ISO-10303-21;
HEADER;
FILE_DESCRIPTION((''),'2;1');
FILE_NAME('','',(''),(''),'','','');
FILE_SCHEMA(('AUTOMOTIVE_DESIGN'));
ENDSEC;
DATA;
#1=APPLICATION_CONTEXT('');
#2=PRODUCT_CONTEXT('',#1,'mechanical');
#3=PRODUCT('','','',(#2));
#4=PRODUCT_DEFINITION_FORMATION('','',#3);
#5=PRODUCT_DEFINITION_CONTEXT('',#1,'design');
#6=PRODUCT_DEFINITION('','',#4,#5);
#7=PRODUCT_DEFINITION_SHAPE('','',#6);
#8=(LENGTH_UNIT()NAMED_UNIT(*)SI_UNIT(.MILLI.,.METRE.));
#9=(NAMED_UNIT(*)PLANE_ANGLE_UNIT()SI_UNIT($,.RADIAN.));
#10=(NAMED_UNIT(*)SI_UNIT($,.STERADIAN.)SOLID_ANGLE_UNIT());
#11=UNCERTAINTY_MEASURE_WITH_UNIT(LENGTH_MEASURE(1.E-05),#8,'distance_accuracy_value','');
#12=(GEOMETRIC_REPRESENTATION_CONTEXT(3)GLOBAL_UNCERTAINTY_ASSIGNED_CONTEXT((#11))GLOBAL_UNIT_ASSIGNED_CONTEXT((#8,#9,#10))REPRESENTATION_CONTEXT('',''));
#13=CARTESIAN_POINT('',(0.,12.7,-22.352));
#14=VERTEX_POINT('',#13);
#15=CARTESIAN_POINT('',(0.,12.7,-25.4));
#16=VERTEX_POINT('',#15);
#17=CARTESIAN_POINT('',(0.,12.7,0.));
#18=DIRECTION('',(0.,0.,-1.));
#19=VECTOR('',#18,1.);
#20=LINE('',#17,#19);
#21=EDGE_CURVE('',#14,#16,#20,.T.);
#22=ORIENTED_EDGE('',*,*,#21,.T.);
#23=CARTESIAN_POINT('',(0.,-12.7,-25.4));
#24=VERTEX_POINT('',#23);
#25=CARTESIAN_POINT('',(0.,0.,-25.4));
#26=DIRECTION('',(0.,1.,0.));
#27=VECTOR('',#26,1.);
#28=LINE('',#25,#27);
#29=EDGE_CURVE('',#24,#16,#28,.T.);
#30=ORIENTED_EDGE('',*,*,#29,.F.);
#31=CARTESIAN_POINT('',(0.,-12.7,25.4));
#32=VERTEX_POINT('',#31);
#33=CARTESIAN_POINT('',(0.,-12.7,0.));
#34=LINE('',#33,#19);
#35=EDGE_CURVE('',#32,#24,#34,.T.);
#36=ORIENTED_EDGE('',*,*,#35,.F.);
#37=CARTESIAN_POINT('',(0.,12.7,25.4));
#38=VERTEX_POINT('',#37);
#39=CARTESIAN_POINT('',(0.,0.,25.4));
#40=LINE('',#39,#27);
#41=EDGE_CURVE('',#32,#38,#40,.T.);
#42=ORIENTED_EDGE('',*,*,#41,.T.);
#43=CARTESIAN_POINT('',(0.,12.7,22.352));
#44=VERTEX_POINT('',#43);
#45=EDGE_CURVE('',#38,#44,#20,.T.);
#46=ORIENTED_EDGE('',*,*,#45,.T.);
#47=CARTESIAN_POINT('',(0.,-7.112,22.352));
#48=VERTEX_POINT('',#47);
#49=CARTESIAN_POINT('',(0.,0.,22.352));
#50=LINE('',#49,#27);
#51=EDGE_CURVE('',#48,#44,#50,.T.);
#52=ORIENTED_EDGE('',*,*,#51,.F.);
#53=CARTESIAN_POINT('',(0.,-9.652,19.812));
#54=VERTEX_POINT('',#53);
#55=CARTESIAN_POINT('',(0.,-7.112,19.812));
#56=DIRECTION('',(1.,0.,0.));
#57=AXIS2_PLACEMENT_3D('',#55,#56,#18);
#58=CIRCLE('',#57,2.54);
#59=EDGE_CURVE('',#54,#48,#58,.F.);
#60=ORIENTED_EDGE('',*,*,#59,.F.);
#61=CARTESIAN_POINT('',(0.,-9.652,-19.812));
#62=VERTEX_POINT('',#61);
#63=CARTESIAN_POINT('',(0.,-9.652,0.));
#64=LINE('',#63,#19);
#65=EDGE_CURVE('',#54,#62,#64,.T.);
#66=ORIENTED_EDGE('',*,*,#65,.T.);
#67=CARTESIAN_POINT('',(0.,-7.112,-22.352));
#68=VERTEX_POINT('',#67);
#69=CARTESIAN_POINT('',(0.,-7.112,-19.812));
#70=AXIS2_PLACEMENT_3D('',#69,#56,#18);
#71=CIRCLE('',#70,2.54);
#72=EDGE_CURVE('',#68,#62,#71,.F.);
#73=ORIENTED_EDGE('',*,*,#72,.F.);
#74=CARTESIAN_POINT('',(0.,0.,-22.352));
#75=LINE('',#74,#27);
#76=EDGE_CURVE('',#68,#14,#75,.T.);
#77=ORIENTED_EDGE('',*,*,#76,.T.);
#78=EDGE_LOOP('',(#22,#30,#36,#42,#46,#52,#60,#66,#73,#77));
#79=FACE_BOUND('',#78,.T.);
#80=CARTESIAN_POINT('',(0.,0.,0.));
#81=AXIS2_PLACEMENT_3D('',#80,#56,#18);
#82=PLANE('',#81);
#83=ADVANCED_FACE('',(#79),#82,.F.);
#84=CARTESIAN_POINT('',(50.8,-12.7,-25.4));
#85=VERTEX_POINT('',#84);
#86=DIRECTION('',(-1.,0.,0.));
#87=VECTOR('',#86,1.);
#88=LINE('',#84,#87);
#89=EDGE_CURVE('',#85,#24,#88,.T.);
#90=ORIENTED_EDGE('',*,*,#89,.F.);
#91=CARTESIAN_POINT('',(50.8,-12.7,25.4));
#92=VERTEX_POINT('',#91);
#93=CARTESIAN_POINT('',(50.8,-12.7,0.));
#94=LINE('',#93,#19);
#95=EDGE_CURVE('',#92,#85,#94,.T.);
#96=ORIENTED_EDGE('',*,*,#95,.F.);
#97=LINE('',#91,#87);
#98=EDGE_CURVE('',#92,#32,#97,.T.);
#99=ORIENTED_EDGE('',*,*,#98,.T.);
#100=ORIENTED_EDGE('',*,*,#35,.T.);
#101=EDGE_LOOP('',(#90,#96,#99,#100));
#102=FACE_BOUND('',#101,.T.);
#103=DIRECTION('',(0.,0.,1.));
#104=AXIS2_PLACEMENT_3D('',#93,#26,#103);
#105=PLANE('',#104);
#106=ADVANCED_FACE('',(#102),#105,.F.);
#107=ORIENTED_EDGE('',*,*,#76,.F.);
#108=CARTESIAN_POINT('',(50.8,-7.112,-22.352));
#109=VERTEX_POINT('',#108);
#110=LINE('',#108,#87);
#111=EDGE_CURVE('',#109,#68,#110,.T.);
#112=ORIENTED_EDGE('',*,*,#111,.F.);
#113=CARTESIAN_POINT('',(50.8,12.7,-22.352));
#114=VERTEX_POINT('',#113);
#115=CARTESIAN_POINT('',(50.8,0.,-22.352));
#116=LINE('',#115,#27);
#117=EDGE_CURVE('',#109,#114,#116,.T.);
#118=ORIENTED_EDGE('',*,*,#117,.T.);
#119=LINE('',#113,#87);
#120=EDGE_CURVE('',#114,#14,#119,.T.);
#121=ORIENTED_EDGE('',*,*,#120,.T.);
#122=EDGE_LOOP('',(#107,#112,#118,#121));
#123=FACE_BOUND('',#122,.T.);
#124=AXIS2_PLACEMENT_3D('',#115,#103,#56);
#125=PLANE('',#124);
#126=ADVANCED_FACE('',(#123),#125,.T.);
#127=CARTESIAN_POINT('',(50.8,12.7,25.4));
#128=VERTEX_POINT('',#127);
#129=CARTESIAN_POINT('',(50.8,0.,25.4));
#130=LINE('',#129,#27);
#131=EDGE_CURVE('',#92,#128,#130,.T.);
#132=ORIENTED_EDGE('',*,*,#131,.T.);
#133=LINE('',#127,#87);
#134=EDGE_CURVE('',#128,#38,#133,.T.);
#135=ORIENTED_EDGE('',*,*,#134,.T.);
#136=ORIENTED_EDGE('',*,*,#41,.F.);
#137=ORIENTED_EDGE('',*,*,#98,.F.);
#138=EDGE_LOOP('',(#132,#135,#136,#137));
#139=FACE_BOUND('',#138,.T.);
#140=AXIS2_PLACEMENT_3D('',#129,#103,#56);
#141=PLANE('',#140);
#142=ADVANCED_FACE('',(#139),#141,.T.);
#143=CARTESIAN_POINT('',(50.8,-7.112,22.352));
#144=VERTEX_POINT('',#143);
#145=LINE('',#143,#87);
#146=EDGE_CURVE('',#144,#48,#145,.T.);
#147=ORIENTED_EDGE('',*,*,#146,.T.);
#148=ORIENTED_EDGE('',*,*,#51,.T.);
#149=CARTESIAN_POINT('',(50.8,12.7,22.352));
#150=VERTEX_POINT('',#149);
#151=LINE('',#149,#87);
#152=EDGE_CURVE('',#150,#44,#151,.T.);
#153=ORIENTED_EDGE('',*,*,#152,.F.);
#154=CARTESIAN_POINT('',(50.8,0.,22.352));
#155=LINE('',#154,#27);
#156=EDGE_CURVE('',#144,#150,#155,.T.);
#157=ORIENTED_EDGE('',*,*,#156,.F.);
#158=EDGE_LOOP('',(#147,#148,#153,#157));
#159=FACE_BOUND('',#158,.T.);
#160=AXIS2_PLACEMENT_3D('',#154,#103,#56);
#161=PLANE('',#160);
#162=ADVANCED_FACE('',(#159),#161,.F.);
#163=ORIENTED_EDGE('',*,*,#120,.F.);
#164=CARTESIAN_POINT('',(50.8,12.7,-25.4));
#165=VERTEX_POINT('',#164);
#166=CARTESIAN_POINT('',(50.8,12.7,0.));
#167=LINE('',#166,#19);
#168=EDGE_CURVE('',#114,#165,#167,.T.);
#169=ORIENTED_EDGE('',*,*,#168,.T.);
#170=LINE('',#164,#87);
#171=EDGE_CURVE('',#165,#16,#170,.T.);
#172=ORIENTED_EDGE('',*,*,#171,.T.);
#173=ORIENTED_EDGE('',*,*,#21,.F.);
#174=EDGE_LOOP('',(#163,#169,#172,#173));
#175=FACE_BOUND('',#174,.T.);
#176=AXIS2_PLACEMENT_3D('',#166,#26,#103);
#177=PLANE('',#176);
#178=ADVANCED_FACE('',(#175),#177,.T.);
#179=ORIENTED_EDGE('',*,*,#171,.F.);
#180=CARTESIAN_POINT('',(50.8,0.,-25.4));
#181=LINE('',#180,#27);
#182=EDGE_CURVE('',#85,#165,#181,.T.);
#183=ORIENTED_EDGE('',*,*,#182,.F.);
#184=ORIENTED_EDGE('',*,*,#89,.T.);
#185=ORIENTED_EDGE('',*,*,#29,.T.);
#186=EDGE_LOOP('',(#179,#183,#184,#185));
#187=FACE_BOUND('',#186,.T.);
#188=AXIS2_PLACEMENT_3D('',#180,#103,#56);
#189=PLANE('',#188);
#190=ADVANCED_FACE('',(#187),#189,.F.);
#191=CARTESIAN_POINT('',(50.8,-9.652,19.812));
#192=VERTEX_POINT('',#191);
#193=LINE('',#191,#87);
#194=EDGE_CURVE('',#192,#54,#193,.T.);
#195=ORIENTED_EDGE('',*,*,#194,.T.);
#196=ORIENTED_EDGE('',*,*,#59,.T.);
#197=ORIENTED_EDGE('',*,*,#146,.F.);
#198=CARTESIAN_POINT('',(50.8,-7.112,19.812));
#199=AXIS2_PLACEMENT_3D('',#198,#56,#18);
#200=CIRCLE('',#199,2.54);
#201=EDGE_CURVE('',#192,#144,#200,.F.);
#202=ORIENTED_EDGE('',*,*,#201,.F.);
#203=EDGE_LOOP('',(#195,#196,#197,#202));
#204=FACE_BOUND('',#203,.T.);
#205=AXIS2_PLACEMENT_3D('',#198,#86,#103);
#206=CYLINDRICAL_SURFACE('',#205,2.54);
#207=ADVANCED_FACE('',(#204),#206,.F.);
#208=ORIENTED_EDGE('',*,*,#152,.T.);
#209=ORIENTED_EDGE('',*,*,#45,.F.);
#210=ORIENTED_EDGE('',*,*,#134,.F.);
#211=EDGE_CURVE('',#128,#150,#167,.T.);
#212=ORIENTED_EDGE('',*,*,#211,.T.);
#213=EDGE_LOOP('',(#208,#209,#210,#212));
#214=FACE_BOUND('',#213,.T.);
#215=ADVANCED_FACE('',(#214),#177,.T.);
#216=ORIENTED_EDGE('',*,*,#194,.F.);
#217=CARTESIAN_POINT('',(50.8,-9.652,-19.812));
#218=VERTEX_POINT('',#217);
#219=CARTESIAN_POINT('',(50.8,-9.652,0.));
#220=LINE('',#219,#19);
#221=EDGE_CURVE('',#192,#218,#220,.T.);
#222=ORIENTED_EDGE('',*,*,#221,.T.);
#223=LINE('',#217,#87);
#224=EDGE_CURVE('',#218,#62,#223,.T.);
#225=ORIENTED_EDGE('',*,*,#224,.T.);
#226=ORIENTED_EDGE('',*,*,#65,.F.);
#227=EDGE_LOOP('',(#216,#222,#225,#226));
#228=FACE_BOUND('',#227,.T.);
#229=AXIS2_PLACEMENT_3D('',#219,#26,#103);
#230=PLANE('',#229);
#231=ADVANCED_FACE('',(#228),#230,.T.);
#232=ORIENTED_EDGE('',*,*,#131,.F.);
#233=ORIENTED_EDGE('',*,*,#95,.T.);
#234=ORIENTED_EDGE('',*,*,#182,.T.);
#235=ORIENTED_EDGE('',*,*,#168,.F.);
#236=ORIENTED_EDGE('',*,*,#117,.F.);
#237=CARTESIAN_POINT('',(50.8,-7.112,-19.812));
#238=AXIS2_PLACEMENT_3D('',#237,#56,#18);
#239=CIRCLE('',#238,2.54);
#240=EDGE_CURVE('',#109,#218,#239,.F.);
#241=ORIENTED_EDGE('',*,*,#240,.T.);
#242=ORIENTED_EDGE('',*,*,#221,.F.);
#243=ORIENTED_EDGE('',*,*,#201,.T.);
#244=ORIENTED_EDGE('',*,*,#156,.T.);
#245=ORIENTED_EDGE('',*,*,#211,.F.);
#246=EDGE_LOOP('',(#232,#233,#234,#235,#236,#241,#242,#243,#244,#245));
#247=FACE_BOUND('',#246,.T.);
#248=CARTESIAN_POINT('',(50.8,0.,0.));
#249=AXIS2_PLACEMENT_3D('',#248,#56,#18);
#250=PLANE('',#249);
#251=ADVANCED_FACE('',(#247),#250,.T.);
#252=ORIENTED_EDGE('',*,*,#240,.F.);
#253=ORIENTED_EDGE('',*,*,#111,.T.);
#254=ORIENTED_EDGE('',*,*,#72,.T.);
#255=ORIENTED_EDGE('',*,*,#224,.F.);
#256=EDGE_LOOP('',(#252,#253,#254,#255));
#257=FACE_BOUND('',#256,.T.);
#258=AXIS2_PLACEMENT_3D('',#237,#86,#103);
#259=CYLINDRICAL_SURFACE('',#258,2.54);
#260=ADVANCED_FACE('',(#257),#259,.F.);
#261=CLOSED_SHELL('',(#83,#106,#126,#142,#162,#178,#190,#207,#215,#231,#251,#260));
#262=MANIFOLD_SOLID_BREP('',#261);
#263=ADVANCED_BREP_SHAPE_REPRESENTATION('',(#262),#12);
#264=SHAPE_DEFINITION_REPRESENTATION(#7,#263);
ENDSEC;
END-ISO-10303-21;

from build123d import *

# Parameters (mm, degrees)
BOSS_EXTRUDE1_DEPTH = 50.8


with BuildPart() as part:
    # Sketch1 → Boss-Extrude1 (new body)
    with BuildSketch(Plane(origin=(0, 0, 0), x_dir=(0, 0, -1), z_dir=(1, 0, 0))):
        with BuildLine():
            Line((-22.352, -7.112), (-22.352, 9.652))
            Line((-22.352, 9.652), (-22.352, 12.7))
            Line((-22.352, 12.7), (-25.4, 12.7))
            Line((-25.4, 12.7), (-25.4, -12.7))
            Line((-25.4, -12.7), (25.4, -12.7))
            Line((25.4, -12.7), (25.4, 12.7))
            Line((25.4, 12.7), (22.352, 12.7))
            Line((22.352, 12.7), (22.352, 9.652))
            Line((22.352, 9.652), (22.352, -7.112))
            ThreePointArc((22.352, -7.112), (21.608051224, -8.908051224), (19.812, -9.652))
            Line((19.812, -9.652), (-19.812, -9.652))
            ThreePointArc((-19.812, -9.652), (-21.608051224, -8.908051224), (-22.352, -7.112))
        make_face()
    extrude(amount=BOSS_EXTRUDE1_DEPTH)


solid = part.part
